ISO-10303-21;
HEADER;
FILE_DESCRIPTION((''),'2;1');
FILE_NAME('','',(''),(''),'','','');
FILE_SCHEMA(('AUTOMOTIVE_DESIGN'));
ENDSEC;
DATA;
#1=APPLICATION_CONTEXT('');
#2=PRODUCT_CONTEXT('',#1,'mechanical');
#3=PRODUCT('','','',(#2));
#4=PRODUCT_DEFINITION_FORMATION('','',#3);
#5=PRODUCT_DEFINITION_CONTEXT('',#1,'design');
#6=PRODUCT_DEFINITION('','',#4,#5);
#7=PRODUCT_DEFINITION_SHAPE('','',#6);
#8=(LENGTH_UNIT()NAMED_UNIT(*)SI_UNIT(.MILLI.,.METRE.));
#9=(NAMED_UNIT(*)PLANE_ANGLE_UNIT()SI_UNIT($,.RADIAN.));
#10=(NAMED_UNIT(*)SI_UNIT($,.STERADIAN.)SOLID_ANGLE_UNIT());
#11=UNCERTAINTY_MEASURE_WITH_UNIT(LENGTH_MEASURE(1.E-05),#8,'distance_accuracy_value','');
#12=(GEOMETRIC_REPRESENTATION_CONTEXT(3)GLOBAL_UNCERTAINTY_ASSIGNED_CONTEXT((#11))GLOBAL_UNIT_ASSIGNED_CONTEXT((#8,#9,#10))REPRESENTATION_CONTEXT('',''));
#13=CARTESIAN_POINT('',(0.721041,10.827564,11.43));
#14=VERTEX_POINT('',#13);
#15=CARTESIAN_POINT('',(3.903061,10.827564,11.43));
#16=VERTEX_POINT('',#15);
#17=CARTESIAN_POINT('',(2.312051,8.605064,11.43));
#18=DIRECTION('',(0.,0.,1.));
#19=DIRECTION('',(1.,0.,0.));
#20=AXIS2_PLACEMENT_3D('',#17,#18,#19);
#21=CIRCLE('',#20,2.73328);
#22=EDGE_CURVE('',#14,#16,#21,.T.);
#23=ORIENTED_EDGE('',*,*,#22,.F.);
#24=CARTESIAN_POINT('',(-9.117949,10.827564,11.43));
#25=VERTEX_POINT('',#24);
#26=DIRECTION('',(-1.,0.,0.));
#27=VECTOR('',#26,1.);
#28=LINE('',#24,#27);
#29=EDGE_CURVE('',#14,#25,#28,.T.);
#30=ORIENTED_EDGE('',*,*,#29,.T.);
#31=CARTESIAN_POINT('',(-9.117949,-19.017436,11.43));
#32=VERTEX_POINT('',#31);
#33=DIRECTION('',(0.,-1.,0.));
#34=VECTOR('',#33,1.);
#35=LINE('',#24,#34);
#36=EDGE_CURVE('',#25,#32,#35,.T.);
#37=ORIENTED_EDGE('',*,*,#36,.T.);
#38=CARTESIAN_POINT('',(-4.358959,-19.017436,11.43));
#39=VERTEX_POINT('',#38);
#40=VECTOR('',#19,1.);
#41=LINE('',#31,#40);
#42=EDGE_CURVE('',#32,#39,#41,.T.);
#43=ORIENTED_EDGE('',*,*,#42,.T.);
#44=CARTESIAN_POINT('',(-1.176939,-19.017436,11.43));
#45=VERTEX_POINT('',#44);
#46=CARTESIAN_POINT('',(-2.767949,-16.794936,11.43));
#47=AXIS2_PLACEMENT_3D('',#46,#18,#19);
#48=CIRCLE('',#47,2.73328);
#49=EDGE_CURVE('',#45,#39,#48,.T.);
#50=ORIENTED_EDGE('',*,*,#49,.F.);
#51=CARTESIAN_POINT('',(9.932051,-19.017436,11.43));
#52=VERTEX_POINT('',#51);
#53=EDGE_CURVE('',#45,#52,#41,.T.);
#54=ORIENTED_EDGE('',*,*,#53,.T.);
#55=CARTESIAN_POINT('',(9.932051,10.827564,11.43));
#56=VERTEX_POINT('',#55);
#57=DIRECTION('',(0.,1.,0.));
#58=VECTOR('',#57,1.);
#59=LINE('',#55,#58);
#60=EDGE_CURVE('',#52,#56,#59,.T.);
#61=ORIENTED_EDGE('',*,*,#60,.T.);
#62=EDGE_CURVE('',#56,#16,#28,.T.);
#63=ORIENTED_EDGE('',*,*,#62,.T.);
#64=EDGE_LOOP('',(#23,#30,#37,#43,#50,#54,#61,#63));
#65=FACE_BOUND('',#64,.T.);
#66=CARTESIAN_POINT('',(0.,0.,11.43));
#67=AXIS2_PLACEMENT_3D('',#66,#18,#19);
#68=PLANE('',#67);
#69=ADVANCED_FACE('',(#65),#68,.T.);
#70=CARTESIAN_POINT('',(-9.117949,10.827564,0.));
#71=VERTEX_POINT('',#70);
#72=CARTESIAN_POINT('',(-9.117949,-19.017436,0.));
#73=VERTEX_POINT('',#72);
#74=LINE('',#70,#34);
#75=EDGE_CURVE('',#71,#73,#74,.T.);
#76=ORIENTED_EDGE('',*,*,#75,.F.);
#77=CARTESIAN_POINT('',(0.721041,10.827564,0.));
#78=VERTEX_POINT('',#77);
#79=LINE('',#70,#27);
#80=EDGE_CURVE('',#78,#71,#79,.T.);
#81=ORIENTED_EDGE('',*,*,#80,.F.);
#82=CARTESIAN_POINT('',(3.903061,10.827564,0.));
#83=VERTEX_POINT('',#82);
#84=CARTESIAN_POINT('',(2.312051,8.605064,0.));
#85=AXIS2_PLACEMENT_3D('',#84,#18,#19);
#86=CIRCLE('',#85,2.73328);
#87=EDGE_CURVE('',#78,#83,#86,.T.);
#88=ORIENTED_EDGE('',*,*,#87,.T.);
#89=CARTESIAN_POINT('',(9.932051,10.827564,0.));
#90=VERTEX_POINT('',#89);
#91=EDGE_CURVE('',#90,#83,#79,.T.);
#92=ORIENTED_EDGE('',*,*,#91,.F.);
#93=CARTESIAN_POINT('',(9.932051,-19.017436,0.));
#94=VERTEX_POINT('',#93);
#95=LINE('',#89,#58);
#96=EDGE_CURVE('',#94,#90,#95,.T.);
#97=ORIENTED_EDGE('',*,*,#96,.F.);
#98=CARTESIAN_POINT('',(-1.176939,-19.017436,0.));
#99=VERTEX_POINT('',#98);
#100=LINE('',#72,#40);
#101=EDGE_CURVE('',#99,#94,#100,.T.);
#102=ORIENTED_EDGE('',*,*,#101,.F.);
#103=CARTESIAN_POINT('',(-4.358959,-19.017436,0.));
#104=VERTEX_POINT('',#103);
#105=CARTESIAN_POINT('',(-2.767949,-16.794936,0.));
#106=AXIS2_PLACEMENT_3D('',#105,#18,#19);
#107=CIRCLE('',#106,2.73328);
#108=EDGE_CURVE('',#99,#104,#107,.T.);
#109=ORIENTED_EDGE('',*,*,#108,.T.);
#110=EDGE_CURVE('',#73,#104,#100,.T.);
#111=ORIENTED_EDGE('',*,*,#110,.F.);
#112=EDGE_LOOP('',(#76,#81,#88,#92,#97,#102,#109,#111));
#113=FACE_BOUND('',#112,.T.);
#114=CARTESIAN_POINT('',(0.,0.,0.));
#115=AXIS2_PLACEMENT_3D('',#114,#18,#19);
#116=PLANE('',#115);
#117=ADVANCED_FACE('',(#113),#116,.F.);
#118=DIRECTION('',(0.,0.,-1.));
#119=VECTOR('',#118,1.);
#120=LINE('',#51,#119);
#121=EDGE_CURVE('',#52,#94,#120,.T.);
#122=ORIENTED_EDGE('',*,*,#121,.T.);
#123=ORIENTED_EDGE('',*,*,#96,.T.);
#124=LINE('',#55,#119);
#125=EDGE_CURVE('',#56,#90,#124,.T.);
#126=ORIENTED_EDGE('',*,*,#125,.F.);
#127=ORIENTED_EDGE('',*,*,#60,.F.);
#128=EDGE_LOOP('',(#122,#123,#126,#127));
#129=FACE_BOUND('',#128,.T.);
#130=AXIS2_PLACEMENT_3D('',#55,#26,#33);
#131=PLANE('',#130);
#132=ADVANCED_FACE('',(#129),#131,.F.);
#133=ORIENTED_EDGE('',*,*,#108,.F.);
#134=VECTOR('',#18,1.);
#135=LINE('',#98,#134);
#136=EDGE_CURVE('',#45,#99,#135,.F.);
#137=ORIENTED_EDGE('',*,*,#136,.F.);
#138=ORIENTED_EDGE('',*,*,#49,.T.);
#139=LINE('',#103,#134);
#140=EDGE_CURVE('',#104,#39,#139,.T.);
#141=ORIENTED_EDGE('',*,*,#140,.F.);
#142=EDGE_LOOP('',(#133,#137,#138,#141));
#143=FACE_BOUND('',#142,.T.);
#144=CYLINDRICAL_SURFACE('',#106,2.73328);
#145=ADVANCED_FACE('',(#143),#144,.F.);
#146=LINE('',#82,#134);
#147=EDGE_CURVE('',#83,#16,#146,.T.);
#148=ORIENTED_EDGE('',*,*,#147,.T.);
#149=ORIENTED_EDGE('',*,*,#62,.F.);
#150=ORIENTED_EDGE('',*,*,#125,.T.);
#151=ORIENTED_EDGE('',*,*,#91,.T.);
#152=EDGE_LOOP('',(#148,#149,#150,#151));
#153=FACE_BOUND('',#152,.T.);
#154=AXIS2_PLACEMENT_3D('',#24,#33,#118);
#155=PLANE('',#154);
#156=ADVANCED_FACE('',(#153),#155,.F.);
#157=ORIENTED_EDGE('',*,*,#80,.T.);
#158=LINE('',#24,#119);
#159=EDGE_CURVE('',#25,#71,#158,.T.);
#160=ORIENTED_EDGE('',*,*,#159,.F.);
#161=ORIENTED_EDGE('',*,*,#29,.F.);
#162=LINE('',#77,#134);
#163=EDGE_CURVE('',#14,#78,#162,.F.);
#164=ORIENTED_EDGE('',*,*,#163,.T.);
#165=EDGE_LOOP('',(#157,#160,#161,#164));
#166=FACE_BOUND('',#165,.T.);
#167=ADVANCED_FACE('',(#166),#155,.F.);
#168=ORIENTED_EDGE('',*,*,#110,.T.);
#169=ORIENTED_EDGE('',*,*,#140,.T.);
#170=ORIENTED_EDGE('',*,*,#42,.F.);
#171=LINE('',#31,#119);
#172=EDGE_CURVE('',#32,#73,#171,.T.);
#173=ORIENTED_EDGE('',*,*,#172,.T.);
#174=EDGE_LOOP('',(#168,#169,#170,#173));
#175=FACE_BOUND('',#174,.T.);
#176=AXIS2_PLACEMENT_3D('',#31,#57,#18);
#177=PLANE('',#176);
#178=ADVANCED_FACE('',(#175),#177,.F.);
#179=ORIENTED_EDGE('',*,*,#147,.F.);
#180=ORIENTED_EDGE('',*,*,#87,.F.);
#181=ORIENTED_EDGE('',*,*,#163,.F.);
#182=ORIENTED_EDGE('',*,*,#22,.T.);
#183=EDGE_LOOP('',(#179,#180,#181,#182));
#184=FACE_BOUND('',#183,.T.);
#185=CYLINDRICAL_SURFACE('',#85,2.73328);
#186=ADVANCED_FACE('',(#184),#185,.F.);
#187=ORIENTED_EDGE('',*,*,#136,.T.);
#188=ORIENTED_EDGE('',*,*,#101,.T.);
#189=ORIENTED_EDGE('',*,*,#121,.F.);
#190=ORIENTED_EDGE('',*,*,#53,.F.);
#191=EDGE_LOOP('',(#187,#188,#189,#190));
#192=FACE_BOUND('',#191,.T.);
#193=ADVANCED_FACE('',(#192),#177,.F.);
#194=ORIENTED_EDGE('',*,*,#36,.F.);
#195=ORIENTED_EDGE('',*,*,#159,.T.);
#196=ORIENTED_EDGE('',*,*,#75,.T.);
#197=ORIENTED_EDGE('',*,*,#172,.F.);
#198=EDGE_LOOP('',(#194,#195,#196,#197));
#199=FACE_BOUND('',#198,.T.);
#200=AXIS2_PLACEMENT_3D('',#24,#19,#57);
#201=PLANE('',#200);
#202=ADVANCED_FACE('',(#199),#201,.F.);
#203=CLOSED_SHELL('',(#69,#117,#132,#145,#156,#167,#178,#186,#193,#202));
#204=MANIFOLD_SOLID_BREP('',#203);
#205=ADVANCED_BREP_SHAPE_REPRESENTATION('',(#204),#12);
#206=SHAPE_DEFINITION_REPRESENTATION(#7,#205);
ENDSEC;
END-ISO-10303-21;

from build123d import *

# Parameters (mm, degrees)
SKETCH1_W           = 19.05
SKETCH1_H           = 29.845
BOSS_EXTRUDE1_DEPTH = 11.43
SKETCH2_R           = 2.733279887
CUT_EXTRUDE1_DEPTH  = 11.43


with BuildPart() as part:
    # Sketch1 → Boss-Extrude1 (new body)
    with BuildSketch(Plane.XY):
        with Locations((0.407051282, -4.094935897)):
            Rectangle(SKETCH1_W, SKETCH1_H)
    extrude(amount=BOSS_EXTRUDE1_DEPTH)

    # Sketch2 → Cut-Extrude1 (cut)
    with BuildSketch(Plane.XY.offset(11.43)):
        with Locations((2.312051282, 8.605064103)):
            Circle(SKETCH2_R)
        with Locations((-2.767948718, -16.794935897)):
            Circle(SKETCH2_R)
    extrude(amount=-CUT_EXTRUDE1_DEPTH, mode=Mode.SUBTRACT)


solid = part.part
